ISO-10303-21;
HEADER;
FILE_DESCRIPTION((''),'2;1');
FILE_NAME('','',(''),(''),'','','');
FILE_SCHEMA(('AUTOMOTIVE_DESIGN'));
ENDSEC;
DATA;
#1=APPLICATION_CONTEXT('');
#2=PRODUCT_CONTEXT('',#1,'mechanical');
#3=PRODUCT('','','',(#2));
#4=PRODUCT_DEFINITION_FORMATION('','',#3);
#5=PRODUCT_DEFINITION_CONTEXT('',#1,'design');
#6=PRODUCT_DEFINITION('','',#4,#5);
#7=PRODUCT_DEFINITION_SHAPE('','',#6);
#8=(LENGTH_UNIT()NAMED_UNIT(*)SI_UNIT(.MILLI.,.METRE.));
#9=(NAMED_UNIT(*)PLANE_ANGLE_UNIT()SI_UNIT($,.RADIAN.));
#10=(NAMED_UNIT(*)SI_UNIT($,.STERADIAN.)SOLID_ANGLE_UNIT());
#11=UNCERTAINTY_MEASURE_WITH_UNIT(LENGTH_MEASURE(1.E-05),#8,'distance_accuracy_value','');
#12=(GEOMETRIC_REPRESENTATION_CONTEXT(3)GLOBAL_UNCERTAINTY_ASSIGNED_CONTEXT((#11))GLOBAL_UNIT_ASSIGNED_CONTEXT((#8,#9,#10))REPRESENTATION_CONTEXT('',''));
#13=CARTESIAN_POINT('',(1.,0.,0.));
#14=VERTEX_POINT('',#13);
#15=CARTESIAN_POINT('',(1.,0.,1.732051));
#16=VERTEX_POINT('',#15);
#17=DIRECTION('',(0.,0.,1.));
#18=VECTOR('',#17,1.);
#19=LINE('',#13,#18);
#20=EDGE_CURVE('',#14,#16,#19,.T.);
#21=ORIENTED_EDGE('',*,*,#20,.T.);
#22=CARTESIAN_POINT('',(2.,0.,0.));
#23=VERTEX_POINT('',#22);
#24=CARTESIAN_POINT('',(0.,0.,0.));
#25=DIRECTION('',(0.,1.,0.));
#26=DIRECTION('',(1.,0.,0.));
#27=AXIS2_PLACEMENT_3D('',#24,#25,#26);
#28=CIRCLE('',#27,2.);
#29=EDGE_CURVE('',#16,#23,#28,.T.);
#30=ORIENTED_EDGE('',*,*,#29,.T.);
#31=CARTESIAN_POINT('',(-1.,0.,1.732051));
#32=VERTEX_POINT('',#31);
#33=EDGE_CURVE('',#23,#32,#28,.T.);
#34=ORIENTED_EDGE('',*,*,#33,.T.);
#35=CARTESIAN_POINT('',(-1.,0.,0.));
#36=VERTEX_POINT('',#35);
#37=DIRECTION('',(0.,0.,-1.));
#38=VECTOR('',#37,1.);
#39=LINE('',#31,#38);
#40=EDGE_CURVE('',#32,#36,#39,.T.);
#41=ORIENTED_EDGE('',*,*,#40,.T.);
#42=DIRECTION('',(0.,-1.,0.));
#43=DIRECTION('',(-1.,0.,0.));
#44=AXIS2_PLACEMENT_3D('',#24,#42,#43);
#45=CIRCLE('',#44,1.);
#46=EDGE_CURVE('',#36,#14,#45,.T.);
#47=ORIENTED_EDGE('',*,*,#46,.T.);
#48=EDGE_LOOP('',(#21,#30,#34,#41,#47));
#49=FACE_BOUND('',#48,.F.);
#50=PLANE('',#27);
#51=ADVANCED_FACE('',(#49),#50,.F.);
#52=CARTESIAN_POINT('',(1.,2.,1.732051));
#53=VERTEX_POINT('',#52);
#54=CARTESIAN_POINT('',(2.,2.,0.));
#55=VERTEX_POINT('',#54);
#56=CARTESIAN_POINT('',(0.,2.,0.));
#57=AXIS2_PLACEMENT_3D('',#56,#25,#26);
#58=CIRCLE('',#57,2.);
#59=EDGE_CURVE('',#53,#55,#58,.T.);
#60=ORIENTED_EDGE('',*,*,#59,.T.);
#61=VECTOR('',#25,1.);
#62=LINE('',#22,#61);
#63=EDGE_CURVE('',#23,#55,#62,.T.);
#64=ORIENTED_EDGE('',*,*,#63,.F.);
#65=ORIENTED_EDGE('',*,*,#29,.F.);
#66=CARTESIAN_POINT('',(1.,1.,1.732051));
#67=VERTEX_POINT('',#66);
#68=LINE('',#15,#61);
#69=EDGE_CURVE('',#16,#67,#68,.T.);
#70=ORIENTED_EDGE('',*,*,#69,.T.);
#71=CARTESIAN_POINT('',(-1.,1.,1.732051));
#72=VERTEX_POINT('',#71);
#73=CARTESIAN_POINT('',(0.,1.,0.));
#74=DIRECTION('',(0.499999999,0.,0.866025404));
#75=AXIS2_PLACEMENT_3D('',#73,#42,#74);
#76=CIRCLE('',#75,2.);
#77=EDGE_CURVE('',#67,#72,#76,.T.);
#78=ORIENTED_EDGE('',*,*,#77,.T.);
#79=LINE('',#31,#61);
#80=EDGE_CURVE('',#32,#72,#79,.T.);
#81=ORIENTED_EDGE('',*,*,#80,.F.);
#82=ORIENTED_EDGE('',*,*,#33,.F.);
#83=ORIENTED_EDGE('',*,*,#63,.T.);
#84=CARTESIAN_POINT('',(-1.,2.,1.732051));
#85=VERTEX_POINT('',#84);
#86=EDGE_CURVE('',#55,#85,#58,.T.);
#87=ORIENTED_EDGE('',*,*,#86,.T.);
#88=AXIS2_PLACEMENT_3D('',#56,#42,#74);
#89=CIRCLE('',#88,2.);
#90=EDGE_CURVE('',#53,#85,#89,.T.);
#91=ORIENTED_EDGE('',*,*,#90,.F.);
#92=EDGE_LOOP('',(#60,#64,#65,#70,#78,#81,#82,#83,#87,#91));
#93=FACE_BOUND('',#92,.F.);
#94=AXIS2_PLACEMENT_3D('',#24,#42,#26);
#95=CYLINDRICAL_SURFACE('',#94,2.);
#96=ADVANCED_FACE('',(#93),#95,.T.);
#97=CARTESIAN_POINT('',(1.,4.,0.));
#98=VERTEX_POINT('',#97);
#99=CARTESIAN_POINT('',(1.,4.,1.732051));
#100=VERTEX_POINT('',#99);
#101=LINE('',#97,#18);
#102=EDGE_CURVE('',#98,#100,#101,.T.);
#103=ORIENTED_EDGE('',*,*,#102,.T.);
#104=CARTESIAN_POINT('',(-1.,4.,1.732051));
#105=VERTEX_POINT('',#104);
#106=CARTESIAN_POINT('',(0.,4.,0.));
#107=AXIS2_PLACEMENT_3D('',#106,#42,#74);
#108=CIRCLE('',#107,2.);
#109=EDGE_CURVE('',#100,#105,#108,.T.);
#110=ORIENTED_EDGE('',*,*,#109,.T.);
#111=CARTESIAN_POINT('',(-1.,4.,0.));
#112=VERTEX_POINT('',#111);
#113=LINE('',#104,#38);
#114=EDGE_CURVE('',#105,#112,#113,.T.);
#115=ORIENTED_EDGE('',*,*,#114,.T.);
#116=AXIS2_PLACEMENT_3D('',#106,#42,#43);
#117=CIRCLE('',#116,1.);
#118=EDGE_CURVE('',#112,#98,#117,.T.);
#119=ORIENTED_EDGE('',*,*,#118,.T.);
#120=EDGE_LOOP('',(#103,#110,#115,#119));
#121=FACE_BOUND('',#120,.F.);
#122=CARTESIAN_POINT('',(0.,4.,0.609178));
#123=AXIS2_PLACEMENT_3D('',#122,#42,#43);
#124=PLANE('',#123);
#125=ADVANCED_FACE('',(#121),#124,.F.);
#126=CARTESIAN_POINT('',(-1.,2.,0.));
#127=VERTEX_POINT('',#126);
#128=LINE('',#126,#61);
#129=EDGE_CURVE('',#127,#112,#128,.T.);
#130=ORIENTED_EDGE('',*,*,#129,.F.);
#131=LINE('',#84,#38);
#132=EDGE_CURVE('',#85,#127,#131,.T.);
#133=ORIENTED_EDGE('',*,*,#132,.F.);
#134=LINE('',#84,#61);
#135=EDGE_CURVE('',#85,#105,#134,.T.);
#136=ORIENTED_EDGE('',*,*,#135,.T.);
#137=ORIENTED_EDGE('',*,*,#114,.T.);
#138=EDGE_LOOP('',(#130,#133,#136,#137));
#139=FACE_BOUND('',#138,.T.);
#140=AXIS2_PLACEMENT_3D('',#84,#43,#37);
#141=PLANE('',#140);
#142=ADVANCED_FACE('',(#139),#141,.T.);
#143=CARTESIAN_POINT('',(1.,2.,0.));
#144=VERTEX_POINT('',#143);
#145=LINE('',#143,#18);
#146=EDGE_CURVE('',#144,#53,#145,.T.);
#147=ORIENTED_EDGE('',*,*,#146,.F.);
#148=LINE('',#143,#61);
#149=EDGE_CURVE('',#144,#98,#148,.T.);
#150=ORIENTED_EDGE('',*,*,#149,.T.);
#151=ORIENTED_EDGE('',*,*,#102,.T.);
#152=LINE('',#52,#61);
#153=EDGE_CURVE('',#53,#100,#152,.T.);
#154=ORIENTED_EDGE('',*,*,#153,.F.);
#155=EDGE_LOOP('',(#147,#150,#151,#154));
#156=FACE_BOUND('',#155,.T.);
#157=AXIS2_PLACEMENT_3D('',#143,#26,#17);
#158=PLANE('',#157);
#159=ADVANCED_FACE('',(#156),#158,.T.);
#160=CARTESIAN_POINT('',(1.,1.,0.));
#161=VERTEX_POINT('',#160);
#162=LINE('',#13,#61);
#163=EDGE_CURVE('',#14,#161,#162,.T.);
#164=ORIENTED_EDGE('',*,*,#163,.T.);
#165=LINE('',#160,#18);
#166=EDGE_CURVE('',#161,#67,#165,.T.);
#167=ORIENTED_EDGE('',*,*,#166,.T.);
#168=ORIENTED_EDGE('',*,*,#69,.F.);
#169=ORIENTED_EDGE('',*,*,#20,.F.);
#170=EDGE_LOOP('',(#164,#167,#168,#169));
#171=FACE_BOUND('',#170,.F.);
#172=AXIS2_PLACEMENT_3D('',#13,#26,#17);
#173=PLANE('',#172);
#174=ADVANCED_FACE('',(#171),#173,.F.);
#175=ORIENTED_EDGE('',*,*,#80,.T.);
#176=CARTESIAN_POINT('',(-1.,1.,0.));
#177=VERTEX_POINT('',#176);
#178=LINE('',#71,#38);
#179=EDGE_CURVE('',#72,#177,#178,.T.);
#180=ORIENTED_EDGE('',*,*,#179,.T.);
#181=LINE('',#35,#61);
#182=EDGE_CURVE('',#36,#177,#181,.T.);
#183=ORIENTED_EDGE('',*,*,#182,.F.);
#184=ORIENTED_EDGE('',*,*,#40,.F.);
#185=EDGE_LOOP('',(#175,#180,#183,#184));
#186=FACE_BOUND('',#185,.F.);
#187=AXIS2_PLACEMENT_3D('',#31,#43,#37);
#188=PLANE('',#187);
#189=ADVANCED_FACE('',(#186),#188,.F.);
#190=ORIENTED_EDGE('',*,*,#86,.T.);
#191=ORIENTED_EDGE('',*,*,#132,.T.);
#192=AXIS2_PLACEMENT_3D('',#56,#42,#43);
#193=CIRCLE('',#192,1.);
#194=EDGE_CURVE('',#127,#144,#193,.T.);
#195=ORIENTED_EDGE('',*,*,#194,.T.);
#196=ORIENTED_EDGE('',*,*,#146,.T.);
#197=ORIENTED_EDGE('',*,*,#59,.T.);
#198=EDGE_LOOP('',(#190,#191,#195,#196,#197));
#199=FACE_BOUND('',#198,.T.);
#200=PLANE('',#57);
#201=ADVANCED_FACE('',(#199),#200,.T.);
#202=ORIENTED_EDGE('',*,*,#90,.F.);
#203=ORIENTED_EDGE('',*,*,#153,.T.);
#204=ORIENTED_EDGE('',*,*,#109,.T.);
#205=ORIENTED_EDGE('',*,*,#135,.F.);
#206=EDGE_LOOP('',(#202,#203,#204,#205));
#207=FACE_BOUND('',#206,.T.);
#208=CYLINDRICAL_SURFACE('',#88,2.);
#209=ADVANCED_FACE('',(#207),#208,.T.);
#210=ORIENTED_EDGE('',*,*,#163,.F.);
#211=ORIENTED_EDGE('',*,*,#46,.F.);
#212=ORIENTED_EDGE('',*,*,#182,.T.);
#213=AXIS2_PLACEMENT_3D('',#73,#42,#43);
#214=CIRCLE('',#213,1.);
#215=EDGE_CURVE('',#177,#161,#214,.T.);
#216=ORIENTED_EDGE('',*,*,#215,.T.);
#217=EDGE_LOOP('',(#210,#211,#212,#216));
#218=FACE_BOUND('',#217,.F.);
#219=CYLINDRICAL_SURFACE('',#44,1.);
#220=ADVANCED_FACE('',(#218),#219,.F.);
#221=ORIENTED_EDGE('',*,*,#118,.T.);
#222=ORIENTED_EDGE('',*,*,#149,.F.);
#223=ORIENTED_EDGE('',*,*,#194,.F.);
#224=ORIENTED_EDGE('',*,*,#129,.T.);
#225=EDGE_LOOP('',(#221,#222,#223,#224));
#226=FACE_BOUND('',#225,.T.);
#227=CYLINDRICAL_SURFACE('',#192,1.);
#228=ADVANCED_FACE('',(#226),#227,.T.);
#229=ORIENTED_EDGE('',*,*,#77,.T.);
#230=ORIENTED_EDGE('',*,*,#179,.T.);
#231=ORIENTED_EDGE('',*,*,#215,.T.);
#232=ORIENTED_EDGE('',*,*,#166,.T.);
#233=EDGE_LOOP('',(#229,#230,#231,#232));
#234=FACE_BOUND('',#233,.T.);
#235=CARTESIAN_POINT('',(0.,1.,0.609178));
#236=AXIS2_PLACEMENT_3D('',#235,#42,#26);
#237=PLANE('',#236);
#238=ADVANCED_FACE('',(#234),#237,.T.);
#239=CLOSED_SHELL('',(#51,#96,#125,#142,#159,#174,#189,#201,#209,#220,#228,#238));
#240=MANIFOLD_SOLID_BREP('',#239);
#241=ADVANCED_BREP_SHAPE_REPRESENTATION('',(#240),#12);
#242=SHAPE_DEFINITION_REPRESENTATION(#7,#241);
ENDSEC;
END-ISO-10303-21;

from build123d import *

# Parameters (mm, degrees)
SKETCH1_R           = 2
BOSS_EXTRUDE1_DEPTH = 2
BOSS_EXTRUDE2_DEPTH = 2
CUT_EXTRUDE1_DEPTH  = 1


with BuildPart() as part:
    # Sketch1 → Boss-Extrude1 (new body)
    with BuildSketch(Plane(origin=(0, 0, 0), x_dir=(1, 0, 0), z_dir=(0, 1, 0))):
        Circle(SKETCH1_R)
    extrude(amount=BOSS_EXTRUDE1_DEPTH)

    # Sketch2 → Boss-Extrude2 (add)
    with BuildSketch(Plane(origin=(0, 2, 0), x_dir=(1, 0, 0), z_dir=(0, 1, 0))):
        with BuildLine():
            Line((-1, -1.732050808), (-1, 0))
            ThreePointArc((-1, 0), (0, 1), (1, 0))
            Line((1, 0), (1, -1.732050808))
            ThreePointArc((1, -1.732050808), (0, -2), (-1, -1.732050808))
        make_face()
    extrude(amount=BOSS_EXTRUDE2_DEPTH)

    # Sketch3 → Cut-Extrude1 (cut)
    with BuildSketch(Plane.XZ):
        with BuildLine():
            Line((-1, 1.732050808), (-1, 0))
            ThreePointArc((-1, 0), (0, -1), (1, 0))
            Line((1, 0), (1, 1.732050808))
            ThreePointArc((1, 1.732050808), (0, 2), (-1, 1.732050808))
        make_face()
    extrude(amount=-CUT_EXTRUDE1_DEPTH, mode=Mode.SUBTRACT)


solid = part.part
